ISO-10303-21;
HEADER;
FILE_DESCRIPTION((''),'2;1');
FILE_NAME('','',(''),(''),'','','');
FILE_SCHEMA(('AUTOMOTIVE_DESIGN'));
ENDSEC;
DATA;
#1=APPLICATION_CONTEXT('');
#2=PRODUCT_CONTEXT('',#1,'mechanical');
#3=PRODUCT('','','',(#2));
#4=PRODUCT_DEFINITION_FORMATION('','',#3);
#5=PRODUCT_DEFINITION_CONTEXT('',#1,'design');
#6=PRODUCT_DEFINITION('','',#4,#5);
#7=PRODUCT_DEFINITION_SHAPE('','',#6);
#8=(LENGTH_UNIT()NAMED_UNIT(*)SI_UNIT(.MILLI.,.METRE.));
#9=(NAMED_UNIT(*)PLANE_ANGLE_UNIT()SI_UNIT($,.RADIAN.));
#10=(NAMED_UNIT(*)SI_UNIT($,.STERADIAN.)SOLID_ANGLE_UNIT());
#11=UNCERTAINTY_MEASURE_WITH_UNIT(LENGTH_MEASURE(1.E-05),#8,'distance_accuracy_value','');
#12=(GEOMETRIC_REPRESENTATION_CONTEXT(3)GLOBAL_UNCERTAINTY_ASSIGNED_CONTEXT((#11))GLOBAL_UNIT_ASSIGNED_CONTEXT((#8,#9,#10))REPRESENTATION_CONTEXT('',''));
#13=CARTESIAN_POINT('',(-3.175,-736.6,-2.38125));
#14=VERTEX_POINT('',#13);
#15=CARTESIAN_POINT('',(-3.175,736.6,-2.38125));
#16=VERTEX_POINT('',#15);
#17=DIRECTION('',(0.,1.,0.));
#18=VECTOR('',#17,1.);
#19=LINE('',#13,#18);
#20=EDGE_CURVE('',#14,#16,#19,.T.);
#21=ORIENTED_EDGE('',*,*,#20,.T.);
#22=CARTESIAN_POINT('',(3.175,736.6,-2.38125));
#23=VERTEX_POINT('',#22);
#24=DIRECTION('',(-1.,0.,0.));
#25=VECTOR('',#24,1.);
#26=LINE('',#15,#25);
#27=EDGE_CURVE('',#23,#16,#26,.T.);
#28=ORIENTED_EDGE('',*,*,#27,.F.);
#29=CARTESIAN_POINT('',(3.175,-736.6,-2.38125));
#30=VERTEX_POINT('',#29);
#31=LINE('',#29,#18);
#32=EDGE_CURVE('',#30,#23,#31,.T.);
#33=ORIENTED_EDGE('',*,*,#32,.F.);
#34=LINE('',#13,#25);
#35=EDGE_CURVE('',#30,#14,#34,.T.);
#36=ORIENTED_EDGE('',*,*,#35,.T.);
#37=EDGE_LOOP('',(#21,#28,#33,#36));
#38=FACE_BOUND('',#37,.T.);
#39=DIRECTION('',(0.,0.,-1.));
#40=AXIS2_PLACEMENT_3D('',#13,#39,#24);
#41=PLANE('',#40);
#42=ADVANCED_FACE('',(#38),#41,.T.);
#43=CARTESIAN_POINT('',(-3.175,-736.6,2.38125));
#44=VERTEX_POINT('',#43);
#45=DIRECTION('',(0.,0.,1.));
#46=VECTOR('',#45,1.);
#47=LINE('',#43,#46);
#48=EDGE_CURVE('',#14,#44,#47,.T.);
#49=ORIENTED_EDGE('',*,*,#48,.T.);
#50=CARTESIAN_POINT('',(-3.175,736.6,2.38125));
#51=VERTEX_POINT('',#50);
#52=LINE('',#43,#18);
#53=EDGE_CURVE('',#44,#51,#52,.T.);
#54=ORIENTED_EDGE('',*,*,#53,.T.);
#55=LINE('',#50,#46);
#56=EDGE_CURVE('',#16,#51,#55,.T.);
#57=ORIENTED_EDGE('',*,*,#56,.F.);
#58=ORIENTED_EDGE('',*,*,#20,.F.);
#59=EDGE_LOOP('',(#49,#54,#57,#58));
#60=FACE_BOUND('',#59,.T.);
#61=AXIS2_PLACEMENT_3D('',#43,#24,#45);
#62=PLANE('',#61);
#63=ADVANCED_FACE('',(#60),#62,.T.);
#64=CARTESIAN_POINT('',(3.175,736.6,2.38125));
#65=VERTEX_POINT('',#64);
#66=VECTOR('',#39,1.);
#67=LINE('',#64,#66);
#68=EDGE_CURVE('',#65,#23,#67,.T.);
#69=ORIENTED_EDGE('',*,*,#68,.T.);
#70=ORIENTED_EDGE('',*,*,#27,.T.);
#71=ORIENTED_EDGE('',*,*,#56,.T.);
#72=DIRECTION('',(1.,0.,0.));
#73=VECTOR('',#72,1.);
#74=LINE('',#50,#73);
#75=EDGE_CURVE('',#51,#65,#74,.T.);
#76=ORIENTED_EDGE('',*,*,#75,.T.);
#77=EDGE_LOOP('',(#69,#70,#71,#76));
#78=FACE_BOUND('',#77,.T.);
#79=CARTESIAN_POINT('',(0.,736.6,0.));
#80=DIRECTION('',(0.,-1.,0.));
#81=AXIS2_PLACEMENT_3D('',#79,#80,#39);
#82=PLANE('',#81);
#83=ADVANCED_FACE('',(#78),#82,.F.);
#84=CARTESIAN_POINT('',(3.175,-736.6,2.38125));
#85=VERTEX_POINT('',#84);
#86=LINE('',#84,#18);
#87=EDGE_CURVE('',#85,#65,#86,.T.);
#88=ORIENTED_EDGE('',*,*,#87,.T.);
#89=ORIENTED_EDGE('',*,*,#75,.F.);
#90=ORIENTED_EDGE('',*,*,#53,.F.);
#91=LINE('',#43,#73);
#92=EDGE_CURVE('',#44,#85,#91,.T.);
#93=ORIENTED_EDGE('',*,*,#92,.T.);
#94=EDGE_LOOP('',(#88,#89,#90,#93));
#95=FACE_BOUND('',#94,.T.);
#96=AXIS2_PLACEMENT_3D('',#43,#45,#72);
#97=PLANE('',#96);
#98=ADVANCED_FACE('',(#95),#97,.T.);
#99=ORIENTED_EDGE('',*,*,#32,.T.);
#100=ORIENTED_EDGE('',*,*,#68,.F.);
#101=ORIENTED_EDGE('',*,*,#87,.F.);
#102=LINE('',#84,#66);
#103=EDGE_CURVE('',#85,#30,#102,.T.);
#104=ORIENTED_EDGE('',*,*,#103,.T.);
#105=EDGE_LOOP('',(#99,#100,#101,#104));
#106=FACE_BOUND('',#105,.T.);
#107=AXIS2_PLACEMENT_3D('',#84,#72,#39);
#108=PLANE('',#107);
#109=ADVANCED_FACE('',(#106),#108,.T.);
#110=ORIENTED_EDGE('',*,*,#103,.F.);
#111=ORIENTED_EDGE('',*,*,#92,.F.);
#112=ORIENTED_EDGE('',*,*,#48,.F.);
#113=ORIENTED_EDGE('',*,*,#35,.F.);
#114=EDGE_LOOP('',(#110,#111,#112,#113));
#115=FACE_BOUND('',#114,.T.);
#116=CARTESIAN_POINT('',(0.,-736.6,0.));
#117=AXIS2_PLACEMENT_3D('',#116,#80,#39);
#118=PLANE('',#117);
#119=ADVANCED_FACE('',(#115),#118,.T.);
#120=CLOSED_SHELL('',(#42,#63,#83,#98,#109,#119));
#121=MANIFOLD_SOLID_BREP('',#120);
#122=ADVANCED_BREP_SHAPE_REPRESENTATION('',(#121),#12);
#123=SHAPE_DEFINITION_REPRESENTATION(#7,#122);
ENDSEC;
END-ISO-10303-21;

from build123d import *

# Parameters (mm, degrees)
BOSS_EXTRUDE1_DEPTH      = 736.6
BOSS_EXTRUDE1_DEPTH_BACK = 736.6
SKETCH1_W                = 6.35
SKETCH1_H                = 4.7625


with BuildPart() as part:
    # Sketch1 → Boss-Extrude1 (new, two sides: drawn at the far end of the back side and taken through both)
    with BuildSketch(Plane(origin=(0, 0, 0), x_dir=(1, 0, 0), z_dir=(0, 1, 0)).offset(-BOSS_EXTRUDE1_DEPTH_BACK)):
        Rectangle(SKETCH1_W, SKETCH1_H)
    extrude(amount=BOSS_EXTRUDE1_DEPTH + BOSS_EXTRUDE1_DEPTH_BACK)


solid = part.part
